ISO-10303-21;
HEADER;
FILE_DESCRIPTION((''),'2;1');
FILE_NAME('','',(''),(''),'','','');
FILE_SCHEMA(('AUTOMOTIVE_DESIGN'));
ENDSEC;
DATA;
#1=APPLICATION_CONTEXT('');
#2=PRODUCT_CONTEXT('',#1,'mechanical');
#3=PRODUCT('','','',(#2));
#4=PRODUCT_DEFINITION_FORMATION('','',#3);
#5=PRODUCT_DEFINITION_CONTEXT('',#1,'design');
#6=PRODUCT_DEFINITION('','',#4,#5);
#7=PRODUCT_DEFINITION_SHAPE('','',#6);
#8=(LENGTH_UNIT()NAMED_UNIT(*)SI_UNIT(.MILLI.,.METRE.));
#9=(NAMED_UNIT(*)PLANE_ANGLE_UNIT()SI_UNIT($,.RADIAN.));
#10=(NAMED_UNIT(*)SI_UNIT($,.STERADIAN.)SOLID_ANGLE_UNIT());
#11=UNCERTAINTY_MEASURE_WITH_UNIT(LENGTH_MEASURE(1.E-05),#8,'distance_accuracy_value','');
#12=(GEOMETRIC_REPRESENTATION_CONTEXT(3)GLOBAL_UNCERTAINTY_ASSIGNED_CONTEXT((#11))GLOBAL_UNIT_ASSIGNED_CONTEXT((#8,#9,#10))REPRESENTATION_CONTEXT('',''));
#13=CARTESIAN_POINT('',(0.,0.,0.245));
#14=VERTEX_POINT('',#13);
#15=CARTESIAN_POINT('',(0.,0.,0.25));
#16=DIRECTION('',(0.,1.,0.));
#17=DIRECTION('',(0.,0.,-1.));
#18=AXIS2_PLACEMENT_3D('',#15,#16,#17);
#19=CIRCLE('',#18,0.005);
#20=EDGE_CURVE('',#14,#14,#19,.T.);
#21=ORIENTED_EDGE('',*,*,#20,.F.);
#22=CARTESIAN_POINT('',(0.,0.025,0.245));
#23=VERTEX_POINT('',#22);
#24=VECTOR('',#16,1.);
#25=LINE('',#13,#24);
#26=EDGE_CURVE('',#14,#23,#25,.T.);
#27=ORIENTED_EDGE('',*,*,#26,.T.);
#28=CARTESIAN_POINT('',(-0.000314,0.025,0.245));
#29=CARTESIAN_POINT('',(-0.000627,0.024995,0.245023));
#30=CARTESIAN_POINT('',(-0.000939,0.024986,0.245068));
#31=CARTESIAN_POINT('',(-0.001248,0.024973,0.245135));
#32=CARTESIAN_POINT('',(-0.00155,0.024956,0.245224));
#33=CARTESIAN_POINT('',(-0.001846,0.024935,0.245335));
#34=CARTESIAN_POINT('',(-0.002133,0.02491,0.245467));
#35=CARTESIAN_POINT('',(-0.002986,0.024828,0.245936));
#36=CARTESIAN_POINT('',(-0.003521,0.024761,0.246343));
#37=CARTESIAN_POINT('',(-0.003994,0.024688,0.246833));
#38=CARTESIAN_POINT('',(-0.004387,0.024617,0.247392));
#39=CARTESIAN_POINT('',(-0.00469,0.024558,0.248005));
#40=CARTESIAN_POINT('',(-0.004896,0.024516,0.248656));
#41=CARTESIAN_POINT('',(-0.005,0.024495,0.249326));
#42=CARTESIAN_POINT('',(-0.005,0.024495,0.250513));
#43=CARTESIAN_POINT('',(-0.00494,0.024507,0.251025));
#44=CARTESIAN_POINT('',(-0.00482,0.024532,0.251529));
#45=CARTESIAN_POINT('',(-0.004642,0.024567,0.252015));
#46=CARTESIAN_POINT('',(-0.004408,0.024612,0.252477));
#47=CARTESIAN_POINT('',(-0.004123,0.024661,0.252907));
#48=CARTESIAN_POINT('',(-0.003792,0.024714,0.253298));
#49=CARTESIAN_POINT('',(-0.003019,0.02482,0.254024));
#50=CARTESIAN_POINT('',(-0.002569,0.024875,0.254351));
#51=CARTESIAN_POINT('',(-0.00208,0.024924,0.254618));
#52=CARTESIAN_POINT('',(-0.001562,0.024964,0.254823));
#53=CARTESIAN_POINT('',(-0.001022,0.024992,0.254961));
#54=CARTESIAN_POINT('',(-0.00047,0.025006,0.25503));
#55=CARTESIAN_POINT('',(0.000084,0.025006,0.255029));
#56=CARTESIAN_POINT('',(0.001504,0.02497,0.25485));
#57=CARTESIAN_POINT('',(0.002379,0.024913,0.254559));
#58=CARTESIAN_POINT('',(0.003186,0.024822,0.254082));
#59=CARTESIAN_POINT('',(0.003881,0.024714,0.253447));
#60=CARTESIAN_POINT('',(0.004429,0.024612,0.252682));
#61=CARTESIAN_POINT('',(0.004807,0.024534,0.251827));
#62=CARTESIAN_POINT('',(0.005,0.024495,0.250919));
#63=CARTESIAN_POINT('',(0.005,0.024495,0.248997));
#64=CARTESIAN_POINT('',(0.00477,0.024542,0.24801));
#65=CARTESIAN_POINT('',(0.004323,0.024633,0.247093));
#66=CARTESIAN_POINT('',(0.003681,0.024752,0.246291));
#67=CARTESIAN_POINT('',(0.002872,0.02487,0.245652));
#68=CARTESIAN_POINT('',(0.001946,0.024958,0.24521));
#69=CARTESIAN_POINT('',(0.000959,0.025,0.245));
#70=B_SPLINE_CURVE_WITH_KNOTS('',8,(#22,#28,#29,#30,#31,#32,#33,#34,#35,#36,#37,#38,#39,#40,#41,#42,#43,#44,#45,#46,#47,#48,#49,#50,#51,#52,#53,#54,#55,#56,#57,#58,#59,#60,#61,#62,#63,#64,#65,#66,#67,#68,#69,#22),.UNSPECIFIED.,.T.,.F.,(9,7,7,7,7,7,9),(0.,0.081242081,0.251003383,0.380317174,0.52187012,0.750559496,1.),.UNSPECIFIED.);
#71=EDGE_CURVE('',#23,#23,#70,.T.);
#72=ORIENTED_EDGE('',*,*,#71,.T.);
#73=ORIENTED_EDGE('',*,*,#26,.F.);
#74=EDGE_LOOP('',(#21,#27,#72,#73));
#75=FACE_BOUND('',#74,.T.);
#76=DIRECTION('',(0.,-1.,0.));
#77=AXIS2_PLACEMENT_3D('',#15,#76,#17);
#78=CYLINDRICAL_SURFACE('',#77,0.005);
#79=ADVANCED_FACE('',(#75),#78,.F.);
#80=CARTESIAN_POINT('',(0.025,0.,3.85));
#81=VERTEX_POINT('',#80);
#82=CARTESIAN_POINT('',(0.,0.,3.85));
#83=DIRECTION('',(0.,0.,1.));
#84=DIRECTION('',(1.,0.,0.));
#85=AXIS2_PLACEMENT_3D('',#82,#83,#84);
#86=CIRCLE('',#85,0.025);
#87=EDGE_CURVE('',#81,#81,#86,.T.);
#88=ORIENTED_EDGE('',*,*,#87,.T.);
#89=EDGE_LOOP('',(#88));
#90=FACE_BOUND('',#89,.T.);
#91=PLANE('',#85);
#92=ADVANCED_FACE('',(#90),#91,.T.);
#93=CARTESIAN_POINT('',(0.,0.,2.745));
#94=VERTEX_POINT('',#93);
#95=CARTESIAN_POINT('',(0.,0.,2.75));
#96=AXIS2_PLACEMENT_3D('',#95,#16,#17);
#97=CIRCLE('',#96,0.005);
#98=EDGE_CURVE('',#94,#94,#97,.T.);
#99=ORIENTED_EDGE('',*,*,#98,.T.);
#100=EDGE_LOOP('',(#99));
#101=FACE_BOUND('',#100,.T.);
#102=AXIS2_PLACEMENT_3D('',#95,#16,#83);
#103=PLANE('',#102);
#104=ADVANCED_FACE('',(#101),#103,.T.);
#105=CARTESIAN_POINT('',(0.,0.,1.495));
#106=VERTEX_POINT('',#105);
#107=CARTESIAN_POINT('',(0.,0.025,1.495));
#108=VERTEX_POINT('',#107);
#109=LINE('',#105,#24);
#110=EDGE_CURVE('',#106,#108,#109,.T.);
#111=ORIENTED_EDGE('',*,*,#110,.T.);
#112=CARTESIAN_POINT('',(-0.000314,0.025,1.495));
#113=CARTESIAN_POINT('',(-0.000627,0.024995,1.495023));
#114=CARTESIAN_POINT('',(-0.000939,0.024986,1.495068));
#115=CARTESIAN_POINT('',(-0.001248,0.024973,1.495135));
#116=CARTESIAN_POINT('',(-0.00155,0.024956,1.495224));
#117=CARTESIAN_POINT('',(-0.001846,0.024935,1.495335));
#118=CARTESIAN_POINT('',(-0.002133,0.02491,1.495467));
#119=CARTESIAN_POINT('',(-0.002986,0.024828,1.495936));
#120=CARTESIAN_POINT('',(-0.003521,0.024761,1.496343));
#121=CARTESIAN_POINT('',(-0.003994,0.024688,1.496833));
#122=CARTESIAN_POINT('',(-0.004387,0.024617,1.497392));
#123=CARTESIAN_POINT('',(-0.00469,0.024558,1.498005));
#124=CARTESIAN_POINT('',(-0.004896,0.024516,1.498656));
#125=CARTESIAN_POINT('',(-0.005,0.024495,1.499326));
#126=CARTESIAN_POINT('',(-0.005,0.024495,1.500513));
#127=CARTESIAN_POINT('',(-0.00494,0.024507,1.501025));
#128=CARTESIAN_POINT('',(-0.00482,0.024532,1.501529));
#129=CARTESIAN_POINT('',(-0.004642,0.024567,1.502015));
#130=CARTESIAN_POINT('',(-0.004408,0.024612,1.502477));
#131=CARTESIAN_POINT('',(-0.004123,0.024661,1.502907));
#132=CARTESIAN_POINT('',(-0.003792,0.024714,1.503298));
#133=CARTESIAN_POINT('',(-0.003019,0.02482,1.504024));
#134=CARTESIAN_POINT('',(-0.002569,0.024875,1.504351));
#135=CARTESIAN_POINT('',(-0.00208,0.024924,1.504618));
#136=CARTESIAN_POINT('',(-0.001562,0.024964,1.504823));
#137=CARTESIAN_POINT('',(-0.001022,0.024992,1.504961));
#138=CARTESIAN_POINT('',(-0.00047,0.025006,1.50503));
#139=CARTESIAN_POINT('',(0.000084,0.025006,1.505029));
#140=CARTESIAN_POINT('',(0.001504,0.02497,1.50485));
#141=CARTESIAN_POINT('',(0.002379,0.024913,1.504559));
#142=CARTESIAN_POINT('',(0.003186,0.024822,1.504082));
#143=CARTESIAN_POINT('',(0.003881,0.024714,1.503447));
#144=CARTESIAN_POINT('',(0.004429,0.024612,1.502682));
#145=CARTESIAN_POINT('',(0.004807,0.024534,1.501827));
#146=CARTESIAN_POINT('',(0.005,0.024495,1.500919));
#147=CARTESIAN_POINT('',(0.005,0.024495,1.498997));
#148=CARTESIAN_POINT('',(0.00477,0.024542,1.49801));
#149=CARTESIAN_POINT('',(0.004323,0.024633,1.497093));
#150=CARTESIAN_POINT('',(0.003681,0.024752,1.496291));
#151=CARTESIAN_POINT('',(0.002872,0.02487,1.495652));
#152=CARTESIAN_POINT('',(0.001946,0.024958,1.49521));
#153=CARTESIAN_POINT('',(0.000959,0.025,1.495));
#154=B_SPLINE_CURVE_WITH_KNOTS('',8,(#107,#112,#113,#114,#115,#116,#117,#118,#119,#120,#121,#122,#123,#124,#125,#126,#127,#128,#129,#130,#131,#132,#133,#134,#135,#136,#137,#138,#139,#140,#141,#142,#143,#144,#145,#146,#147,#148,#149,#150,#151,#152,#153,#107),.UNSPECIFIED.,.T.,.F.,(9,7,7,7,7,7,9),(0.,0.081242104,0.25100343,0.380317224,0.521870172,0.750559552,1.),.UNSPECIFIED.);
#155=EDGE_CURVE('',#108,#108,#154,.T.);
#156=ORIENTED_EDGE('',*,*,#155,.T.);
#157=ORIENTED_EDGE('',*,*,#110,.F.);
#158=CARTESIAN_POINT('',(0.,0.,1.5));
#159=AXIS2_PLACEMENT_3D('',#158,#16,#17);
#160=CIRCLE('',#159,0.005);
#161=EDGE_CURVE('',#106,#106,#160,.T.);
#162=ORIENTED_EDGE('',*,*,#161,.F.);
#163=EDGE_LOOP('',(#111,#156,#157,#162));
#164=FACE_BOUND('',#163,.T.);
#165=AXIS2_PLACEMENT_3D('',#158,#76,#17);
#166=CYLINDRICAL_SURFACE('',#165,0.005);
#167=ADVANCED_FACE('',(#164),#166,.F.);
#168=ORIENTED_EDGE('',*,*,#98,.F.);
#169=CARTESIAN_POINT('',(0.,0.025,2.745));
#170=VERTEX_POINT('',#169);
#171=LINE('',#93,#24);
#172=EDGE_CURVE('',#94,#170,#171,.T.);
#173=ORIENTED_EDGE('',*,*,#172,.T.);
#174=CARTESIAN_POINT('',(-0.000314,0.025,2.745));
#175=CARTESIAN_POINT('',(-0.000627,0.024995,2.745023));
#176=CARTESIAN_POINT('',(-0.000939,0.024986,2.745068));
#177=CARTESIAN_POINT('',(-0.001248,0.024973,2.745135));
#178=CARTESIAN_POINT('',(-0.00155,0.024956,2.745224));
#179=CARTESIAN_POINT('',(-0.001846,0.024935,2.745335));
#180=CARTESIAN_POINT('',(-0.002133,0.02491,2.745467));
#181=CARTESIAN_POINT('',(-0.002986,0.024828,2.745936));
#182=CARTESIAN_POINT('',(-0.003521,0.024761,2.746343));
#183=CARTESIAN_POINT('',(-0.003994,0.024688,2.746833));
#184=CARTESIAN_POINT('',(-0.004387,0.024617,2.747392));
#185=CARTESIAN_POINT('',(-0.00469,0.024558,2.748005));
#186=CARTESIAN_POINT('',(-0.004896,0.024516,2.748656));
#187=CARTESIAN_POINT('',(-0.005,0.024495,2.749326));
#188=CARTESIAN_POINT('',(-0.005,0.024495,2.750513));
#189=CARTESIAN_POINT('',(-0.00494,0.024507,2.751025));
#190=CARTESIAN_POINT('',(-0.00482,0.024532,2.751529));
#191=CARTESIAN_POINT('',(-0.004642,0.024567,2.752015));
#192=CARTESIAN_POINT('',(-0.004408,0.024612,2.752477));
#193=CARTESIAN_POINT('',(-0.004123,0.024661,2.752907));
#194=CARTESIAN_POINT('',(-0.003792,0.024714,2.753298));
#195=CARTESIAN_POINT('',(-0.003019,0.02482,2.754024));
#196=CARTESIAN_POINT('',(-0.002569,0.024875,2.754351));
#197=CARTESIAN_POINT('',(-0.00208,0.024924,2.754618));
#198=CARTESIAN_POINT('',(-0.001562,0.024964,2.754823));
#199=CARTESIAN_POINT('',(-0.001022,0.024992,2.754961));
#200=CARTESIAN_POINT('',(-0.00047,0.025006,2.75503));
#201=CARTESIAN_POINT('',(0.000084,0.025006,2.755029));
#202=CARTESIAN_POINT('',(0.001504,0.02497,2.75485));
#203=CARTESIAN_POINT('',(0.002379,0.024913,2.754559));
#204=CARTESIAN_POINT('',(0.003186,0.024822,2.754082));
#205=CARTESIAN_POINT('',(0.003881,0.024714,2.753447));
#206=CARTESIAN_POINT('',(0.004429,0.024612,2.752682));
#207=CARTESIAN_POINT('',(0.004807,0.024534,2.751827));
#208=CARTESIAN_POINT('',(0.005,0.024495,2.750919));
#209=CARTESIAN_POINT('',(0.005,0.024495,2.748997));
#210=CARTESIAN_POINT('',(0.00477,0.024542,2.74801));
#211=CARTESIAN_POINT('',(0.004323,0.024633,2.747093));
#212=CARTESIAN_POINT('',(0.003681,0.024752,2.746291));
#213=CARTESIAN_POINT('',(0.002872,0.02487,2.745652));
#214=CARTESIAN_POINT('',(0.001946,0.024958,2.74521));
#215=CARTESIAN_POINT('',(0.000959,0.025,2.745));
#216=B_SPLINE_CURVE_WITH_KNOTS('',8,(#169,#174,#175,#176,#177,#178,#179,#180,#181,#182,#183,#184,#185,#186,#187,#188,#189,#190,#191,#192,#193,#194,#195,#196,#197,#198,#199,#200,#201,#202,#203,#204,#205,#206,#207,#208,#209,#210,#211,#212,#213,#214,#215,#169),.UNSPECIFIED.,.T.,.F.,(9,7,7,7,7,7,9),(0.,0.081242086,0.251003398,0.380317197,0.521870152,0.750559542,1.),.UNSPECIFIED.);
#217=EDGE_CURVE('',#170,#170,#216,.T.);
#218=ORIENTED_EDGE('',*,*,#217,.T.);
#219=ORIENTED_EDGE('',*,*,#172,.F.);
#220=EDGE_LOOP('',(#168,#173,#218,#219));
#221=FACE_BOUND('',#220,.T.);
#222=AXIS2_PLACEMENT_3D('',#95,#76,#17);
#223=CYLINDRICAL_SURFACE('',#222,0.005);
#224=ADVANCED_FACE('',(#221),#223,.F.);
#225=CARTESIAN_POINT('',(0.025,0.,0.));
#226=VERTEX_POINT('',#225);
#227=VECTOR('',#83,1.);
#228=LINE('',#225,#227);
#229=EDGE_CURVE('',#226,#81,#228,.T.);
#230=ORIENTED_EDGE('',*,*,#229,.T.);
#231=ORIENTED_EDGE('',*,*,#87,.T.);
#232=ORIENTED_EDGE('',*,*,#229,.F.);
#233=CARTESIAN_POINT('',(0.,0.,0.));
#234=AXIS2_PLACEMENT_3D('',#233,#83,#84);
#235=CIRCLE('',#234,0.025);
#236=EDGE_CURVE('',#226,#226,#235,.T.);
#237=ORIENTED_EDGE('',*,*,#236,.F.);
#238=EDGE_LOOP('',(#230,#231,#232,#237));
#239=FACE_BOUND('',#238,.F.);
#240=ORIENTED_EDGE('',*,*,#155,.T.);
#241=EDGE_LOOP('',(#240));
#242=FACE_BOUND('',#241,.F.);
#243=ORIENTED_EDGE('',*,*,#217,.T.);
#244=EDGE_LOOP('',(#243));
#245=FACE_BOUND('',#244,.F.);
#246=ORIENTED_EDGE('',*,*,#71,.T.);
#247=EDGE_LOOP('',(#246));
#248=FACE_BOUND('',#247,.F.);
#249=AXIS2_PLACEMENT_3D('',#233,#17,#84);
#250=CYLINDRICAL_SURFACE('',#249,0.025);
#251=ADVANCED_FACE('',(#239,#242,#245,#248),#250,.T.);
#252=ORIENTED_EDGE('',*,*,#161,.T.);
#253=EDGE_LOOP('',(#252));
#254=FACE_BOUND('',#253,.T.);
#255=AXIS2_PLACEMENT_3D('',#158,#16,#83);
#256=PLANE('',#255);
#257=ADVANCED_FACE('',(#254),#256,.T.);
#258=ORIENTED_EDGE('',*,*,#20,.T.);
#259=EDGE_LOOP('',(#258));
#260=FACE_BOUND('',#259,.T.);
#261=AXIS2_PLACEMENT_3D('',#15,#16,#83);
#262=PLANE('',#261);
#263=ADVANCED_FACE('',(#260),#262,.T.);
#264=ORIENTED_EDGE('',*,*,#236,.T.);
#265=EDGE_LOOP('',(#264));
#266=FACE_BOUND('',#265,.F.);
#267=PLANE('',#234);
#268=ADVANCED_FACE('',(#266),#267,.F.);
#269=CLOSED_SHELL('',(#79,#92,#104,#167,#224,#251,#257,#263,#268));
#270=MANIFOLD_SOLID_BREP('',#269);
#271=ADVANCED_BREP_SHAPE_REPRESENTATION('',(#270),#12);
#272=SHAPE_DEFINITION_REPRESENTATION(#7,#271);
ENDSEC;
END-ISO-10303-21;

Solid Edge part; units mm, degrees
sketch "Sketch1" plane through (0, 0, 0) normal (0, 0, 1) x (1, 0, 0)
  circle A0 centre (0, 0) radius 0.025
  dimension "D1" = 0.05
extrude "Protrusion1" add sketch "Sketch1" along normal blind 3.85
hole "Bohrung_1" at (0, 0, 1.5) direction (0, 1, 0) diameter 0.01 end up to next
hole "Hole1" at (0, 0, 2.75) direction (0, 1, 0) diameter 0.01 end up to next
hole "Hole2" at (0, 0, 0.25) direction (0, 1, 0) diameter 0.01 end up to next
